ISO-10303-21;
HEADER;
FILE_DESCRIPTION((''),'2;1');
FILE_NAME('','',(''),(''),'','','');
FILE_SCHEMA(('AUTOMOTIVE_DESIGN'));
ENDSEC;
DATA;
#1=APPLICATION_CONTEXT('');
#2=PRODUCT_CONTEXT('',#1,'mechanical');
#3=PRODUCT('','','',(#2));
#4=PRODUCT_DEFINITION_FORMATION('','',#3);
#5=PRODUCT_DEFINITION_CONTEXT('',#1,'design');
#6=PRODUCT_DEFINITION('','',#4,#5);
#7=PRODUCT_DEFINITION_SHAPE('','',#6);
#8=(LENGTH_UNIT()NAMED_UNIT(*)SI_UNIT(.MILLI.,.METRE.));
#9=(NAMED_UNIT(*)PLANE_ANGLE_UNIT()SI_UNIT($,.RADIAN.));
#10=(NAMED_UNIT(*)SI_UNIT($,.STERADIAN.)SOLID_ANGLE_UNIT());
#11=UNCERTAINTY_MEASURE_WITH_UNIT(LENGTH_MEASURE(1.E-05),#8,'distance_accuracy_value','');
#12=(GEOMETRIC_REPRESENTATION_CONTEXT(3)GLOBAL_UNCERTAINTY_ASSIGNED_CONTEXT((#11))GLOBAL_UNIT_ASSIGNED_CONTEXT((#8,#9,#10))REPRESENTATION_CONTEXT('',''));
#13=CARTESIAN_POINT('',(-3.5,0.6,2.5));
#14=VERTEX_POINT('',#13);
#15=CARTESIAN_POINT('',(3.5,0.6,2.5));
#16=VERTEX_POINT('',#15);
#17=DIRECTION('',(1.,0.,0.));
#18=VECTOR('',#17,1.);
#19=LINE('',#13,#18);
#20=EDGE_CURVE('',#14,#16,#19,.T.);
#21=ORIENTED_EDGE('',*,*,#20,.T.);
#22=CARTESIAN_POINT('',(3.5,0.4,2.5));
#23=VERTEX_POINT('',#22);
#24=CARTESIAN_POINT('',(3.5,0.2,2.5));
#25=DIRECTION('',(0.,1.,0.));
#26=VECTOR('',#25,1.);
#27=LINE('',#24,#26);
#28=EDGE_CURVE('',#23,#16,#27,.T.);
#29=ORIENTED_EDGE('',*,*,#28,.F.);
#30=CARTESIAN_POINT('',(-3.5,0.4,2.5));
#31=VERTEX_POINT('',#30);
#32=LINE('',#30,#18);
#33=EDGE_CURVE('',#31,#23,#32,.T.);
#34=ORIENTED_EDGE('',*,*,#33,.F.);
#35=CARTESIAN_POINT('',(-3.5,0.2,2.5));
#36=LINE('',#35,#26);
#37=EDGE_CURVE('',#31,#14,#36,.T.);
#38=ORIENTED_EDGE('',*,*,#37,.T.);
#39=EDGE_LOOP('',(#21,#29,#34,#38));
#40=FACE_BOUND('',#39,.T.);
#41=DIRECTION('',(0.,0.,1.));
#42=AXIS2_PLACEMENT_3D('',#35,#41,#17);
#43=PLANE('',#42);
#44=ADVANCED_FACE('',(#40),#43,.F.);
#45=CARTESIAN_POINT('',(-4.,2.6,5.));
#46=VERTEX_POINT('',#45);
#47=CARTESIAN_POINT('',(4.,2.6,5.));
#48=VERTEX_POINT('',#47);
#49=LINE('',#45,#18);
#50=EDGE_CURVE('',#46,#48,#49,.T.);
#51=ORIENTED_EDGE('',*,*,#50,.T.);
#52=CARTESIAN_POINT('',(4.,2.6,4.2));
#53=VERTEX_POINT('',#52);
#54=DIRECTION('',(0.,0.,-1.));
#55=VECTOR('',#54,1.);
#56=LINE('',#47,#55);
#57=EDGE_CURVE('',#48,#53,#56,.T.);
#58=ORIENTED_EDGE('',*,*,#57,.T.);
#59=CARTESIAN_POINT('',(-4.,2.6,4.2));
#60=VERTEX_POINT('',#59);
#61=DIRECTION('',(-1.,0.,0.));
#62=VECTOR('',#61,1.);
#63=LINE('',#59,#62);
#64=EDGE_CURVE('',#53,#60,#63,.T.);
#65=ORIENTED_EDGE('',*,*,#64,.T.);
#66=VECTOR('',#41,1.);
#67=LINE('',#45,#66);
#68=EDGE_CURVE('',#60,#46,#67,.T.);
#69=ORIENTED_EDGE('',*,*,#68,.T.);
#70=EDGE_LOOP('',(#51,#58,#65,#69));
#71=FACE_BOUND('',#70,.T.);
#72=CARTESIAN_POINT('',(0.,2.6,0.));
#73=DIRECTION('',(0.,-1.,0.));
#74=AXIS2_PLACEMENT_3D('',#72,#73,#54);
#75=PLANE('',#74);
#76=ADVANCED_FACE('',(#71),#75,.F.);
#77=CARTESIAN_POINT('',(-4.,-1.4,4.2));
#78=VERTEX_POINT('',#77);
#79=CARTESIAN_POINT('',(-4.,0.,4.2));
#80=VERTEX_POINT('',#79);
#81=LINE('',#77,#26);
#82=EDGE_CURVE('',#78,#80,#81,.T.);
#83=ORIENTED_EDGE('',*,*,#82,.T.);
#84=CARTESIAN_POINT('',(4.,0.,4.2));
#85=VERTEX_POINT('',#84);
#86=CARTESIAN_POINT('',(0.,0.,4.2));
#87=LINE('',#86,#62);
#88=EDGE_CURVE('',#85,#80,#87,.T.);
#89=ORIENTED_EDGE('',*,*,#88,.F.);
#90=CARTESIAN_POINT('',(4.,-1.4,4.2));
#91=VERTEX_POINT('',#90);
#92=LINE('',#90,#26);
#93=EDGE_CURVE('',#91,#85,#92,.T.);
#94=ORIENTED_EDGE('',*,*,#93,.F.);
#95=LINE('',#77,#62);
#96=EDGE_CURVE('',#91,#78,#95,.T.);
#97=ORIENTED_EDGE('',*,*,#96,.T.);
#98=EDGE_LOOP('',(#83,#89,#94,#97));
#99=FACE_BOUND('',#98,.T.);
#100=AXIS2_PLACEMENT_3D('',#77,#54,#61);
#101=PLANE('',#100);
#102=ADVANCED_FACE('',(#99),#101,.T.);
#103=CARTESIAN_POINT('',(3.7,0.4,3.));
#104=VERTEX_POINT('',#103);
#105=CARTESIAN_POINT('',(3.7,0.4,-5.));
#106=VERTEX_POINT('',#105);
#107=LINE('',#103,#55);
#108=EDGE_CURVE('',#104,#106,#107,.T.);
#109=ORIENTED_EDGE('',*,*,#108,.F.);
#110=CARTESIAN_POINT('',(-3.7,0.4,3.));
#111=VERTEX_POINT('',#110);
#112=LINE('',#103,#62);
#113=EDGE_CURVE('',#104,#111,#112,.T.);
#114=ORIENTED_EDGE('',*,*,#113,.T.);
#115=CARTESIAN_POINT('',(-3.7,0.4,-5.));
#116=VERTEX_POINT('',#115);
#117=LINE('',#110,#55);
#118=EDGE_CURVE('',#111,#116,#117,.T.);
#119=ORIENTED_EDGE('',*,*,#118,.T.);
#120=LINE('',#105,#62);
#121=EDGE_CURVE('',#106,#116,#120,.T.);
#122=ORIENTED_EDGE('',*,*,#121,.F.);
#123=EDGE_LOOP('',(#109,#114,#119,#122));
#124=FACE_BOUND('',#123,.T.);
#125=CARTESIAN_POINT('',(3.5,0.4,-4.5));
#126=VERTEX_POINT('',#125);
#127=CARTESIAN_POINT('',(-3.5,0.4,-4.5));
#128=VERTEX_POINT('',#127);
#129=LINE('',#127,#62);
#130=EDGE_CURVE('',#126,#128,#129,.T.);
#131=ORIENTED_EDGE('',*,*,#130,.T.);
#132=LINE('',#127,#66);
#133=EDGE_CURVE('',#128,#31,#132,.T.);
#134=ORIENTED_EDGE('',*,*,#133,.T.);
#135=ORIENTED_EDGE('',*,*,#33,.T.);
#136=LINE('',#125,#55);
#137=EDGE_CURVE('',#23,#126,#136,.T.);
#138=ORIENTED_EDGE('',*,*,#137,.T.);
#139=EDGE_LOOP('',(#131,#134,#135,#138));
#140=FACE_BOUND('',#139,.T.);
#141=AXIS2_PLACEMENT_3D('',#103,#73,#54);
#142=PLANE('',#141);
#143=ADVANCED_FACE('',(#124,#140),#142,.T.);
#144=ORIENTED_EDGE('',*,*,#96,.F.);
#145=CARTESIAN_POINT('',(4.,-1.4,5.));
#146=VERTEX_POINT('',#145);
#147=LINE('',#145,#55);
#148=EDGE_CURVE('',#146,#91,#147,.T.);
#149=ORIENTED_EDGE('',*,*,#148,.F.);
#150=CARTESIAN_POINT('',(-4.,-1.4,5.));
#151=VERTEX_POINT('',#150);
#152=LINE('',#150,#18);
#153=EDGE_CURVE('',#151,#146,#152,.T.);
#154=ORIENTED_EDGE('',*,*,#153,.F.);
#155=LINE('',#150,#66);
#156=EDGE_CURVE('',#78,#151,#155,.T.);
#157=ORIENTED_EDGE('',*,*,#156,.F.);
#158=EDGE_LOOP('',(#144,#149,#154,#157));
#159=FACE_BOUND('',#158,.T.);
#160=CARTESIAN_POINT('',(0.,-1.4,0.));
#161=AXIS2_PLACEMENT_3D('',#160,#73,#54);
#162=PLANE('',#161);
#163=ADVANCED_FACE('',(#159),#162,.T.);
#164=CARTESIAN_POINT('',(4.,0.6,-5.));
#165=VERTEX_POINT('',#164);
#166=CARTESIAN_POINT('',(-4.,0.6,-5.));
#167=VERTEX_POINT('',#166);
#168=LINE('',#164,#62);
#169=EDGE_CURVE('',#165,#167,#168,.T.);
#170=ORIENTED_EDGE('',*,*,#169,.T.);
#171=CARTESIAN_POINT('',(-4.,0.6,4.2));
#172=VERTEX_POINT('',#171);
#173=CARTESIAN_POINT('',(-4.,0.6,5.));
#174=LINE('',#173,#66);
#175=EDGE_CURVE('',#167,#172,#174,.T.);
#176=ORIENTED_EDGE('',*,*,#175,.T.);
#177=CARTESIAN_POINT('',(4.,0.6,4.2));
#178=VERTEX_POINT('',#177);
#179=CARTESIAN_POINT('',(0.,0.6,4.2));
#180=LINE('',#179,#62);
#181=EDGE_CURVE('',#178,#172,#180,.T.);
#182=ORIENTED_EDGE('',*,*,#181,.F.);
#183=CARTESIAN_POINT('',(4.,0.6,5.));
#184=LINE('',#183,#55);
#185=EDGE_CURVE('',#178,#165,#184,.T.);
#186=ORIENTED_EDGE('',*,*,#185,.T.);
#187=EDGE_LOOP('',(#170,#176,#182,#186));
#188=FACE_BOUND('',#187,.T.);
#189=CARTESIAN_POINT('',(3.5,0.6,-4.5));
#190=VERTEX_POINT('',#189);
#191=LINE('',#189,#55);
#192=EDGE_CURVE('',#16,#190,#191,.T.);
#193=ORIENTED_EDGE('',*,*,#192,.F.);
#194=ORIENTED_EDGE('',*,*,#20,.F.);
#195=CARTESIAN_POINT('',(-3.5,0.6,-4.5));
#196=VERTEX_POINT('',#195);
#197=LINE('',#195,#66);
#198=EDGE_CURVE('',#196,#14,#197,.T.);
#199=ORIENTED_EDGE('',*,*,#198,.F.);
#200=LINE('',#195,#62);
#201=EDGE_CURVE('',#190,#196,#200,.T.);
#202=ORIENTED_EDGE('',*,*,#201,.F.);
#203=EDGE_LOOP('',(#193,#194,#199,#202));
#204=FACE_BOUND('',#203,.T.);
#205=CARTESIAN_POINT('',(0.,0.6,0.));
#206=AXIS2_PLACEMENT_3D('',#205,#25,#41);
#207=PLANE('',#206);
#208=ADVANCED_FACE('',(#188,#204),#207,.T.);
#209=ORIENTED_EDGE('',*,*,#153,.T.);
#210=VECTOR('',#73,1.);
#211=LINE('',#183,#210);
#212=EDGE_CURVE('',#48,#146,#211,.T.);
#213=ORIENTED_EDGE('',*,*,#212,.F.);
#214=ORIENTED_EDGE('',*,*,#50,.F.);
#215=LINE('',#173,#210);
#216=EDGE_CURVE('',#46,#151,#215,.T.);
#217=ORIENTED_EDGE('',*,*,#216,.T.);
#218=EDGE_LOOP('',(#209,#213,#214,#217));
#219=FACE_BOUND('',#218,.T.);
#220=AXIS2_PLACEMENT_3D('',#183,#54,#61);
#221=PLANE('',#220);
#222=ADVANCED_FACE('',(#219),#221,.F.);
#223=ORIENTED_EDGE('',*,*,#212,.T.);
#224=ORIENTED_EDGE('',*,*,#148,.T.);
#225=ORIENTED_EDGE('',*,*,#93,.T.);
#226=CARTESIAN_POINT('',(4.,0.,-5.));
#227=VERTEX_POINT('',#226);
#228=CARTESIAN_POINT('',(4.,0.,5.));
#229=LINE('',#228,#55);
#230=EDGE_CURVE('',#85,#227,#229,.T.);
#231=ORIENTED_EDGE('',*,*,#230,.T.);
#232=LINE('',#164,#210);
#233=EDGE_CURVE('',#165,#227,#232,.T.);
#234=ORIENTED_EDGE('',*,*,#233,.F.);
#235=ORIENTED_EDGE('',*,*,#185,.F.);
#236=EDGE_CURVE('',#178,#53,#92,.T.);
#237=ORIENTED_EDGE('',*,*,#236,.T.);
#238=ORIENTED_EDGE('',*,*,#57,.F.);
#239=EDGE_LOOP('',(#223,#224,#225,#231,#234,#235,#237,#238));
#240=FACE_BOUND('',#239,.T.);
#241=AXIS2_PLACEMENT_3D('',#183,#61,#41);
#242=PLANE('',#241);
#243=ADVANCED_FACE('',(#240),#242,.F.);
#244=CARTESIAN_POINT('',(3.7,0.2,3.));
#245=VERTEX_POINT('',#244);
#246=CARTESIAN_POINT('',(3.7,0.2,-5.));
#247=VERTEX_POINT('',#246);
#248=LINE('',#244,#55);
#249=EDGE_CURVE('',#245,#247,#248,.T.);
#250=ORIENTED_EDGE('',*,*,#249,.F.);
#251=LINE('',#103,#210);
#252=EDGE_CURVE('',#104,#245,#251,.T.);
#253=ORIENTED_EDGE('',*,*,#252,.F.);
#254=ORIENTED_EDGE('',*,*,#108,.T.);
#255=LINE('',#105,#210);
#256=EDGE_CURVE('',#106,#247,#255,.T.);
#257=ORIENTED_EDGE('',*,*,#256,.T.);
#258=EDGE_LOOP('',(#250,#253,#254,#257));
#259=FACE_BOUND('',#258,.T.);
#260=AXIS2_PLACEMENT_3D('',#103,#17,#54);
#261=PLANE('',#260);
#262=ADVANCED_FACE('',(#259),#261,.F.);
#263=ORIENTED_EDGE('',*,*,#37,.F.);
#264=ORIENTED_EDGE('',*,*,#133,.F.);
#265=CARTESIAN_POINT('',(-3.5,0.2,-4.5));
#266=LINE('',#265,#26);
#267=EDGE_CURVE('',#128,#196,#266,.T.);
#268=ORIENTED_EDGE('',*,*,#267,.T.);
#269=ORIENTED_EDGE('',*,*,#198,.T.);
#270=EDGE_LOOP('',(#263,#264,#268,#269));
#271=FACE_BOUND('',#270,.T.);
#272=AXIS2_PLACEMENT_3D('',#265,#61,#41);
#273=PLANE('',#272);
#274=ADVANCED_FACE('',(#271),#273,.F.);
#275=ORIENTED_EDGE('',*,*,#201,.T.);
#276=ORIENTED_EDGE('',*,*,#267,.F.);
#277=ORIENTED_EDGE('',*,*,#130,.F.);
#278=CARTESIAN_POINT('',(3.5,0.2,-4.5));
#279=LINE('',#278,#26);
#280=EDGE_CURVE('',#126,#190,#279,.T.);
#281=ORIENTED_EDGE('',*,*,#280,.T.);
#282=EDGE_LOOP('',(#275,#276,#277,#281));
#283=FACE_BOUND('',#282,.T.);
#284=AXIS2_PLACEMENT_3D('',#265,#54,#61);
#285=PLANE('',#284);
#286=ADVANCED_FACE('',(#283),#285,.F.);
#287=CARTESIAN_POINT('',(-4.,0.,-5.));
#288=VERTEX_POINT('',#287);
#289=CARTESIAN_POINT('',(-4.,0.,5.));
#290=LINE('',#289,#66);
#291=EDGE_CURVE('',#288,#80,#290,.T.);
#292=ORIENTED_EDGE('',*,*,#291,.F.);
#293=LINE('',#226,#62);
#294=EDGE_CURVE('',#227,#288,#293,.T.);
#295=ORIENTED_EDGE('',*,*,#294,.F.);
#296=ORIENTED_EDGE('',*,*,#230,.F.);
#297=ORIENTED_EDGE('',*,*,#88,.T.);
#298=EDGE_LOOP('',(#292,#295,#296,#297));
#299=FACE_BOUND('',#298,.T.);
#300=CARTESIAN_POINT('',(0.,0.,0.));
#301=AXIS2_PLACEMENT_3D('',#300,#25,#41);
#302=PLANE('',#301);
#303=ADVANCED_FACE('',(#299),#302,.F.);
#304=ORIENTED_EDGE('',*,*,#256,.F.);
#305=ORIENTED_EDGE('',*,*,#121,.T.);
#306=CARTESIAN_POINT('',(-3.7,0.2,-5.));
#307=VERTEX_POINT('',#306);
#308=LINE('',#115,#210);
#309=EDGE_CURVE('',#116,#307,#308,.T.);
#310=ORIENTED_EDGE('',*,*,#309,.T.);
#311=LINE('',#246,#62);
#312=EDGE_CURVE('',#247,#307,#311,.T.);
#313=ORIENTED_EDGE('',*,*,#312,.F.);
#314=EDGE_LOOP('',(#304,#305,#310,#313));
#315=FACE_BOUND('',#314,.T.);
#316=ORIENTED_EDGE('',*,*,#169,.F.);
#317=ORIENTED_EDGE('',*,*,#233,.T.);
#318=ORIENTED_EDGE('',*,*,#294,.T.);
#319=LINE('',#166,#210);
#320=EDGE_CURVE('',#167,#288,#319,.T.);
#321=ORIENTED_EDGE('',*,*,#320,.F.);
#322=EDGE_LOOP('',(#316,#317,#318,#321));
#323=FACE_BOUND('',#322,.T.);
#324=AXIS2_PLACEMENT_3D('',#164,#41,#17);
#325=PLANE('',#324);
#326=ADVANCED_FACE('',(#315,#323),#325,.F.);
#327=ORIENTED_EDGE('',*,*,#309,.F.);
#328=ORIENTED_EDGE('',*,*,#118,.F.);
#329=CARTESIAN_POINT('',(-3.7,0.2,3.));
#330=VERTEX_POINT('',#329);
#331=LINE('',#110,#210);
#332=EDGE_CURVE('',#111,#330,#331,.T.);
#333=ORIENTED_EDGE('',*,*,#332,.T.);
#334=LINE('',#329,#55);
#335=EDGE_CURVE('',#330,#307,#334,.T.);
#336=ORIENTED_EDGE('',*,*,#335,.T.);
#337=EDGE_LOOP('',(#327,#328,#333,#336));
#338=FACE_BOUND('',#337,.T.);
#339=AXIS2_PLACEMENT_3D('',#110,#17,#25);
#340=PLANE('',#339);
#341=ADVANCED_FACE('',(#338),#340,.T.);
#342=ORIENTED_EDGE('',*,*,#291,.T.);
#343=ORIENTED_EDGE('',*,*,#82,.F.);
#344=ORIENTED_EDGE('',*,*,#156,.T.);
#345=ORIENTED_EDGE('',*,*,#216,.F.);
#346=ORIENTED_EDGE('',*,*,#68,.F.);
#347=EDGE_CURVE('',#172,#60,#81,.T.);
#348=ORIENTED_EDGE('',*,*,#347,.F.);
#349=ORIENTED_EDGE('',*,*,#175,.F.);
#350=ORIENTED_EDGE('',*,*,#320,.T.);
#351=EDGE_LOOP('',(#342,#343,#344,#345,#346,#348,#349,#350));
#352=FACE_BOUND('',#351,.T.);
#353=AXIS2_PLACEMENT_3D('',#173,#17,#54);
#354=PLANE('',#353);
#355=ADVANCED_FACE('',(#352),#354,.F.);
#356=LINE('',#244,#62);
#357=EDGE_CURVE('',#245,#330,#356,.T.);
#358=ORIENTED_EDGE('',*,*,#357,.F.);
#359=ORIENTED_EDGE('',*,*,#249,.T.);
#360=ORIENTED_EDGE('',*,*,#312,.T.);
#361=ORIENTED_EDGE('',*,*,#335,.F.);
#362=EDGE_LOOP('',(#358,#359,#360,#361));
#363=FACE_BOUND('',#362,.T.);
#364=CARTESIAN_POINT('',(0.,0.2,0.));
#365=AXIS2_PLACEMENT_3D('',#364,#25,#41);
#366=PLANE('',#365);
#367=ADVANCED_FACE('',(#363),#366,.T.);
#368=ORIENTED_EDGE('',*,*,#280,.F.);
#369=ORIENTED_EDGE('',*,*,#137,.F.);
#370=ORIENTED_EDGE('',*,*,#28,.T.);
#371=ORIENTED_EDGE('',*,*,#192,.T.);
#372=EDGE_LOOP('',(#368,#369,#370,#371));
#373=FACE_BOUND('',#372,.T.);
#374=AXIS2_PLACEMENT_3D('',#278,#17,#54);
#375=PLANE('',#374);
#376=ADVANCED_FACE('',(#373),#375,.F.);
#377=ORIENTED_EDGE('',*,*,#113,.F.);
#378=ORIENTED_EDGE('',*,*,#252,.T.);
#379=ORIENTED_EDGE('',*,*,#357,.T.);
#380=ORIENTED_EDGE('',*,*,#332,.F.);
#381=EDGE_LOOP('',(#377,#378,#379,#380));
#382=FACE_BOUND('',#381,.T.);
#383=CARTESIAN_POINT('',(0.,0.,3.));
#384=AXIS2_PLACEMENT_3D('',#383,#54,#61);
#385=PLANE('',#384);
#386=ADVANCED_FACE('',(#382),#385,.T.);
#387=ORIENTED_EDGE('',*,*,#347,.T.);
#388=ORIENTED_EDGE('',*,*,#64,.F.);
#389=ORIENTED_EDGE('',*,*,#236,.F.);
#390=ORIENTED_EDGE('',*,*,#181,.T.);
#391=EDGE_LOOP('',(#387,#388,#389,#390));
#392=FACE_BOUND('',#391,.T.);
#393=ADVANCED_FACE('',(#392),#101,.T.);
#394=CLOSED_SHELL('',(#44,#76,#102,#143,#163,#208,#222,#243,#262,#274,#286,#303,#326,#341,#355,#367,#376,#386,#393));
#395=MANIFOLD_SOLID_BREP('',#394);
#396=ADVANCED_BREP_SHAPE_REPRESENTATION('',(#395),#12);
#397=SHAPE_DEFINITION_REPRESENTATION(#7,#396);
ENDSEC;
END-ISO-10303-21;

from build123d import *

# Parameters (mm, degrees)
SKETCH1_W                = 8
SKETCH1_H                = 10
BOSS_EXTRUDE1_DEPTH      = 0.6
SKETCH4_W                = 7
SKETCH4_H                = 7
CUT_EXTRUDE1_DEPTH       = 0.4
SKETCH5_W                = 7.4
SKETCH5_H                = 0.2
CUT_EXTRUDE2_DEPTH       = 8
BOSS_EXTRUDE2_DEPTH      = 2
BOSS_EXTRUDE2_DEPTH_BACK = 2
SKETCH6_W                = 8
SKETCH6_H                = 0.8


with BuildPart() as part:
    # Sketch1 → Boss-Extrude1 (new body)
    with BuildSketch(Plane(origin=(0, 0, 0), x_dir=(1, 0, 0), z_dir=(0, 1, 0))):
        Rectangle(SKETCH1_W, SKETCH1_H)
    extrude(amount=BOSS_EXTRUDE1_DEPTH)

    # Sketch4 → Cut-Extrude1 (cut)
    with BuildSketch(Plane(origin=(0, 0.6, 0), x_dir=(1, 0, 0), z_dir=(0, 1, 0))):
        with Locations((0, 1)):
            Rectangle(SKETCH4_W, SKETCH4_H)
    extrude(amount=-CUT_EXTRUDE1_DEPTH, mode=Mode.SUBTRACT)

    # Sketch5 → Cut-Extrude2 (cut)
    with BuildSketch(Plane(origin=(0, 0, -5), x_dir=(-1, 0, 0), z_dir=(0, 0, -1))):
        with Locations((0, 0.3)):
            Rectangle(SKETCH5_W, SKETCH5_H)
    extrude(amount=-CUT_EXTRUDE2_DEPTH, mode=Mode.SUBTRACT)

    # Sketch6 → Boss-Extrude2 (add, two sides: drawn at the far end of the back side and taken through both)
    with BuildSketch(Plane(origin=(0, 0.6, 0), x_dir=(1, 0, 0), z_dir=(0, 1, 0)).offset(-BOSS_EXTRUDE2_DEPTH_BACK)):
        with Locations((0, -4.6)):
            Rectangle(SKETCH6_W, SKETCH6_H)
    extrude(amount=BOSS_EXTRUDE2_DEPTH + BOSS_EXTRUDE2_DEPTH_BACK)


solid = part.part
